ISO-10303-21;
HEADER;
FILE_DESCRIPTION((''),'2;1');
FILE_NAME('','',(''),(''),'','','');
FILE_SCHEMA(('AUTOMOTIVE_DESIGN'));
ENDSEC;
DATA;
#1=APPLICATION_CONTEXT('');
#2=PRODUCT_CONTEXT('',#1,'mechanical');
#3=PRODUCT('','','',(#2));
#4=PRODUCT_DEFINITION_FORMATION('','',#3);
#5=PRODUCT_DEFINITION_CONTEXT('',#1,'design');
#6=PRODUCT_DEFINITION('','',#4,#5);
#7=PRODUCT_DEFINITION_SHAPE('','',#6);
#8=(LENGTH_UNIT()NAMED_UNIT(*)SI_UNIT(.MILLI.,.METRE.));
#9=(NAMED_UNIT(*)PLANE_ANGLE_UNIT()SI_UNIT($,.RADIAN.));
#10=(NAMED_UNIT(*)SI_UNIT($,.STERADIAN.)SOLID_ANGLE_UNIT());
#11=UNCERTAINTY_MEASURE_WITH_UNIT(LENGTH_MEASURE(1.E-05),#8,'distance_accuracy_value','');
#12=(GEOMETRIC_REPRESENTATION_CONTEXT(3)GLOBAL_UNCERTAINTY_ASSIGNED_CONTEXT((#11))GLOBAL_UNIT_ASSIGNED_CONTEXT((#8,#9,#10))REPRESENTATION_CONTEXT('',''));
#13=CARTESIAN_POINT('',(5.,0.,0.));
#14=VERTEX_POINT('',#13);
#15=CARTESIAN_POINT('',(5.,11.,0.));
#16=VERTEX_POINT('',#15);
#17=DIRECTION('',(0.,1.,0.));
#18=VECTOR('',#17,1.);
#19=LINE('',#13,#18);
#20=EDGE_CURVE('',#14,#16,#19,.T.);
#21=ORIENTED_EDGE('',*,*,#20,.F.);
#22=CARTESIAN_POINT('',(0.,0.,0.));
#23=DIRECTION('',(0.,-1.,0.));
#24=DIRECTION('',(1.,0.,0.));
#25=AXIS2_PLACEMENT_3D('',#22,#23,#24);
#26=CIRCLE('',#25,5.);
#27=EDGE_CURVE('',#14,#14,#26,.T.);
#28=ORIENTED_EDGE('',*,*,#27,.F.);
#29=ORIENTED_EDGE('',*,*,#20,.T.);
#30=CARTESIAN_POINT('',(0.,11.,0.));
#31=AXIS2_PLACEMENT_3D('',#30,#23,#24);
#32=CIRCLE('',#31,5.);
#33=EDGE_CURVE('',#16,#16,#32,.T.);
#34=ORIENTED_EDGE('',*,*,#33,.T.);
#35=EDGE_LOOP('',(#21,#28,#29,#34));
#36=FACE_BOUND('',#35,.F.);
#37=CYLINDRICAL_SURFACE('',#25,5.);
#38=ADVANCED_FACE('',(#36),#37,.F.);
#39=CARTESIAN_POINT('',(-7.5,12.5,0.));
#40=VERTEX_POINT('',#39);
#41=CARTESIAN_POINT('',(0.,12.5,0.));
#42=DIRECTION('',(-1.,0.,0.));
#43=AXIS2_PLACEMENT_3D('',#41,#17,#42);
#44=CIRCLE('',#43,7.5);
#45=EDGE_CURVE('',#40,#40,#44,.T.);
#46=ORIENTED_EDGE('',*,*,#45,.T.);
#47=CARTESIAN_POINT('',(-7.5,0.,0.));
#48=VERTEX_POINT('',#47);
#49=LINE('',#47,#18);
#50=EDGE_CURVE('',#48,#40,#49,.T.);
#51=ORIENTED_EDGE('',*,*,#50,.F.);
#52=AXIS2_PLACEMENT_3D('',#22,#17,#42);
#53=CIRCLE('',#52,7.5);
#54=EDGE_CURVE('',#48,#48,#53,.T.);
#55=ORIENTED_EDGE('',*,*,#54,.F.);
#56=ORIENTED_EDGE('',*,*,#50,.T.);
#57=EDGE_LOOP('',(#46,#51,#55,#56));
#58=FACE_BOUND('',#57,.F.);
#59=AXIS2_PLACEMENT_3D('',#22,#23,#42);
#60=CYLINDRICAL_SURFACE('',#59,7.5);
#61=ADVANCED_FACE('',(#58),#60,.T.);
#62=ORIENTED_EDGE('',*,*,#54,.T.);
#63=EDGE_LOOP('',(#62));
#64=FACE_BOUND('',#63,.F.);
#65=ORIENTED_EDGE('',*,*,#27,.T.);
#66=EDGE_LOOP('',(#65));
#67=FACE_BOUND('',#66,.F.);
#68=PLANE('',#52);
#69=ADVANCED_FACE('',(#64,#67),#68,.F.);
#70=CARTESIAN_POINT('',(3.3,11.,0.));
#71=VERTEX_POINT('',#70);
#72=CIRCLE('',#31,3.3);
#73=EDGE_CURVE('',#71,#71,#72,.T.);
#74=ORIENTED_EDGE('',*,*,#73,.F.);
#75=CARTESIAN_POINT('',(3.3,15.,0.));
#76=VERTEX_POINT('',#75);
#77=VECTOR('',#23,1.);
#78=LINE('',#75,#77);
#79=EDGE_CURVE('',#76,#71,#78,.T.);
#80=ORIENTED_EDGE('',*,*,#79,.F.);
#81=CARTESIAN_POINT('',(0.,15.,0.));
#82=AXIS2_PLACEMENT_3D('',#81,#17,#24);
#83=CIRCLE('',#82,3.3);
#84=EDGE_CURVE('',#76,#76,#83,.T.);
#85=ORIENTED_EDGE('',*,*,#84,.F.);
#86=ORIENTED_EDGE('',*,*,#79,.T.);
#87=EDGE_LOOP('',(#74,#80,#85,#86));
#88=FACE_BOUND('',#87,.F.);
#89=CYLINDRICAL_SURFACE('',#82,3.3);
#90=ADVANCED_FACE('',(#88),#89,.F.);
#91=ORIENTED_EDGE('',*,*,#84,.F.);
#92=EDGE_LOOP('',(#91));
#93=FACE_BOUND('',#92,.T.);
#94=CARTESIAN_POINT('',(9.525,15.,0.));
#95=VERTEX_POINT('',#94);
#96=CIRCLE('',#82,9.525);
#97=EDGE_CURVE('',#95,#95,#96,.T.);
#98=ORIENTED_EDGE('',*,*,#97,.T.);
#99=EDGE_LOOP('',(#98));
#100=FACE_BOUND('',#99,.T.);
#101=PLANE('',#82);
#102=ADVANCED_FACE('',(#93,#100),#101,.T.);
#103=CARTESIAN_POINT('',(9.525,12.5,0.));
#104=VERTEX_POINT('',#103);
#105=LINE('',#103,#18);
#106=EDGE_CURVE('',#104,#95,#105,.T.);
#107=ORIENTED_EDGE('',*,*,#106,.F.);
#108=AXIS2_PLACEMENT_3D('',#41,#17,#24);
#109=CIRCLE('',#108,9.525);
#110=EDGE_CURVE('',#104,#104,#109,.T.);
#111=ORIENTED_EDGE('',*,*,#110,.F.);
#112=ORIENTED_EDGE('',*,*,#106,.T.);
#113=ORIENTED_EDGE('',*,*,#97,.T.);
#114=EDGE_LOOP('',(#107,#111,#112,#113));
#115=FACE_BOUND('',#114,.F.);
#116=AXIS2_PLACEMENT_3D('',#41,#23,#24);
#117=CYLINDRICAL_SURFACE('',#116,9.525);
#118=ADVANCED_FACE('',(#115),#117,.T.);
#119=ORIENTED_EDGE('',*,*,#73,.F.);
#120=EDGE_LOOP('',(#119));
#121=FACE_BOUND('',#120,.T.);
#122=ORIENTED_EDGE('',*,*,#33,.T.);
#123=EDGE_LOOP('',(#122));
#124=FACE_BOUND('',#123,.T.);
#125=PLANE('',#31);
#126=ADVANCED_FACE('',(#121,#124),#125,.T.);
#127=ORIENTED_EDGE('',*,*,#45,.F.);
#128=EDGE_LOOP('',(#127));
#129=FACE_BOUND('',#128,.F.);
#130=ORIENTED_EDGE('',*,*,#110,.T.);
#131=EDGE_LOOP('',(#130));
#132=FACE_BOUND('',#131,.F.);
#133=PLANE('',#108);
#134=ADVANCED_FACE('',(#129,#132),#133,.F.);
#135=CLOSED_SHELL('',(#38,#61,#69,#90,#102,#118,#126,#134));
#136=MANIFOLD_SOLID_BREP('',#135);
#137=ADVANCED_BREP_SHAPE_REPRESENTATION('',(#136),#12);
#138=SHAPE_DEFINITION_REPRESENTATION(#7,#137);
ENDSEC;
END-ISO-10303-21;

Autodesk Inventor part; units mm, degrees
ref_plane "YZ Plane" through (0, 0, 0) normal (1, 0, 0) x (0, 1, 0)
ref_plane "XZ Plane" through (0, 0, 0) normal (0, 1, 0) x (-1, 0, 0)
ref_plane "XY Plane" through (0, 0, 0) normal (0, 0, 1) x (1, 0, 0)
sketch "Sketch1" plane through (0, 0, 0) normal (0, 1, 0) x (-1, 0, 0)
  circle A0 centre (0, 0) radius 7.5
  dimension "d0" = 15
extrude "Extrusion1" add sketch "Sketch1" along normal blind 12.5
sketch "Sketch2" plane through (0, 12.5, 0) normal (0, 1, 0) x (1, 0, 0)
  circle A0 centre (0, 0) radius 7.5 projected
  circle A1 centre (0, 0) radius 9.525
  dimension "d3" = 19.05
extrude "Extrusion2" add sketch "Sketch2" along normal blind 2.5 contours A0 | A1
sketch "Sketch3" plane through (0, 15, 0) normal (0, 1, 0) x (1, 0, 0)
  circle A0 centre (0, 0) radius 9.525 projected
  circle A1 centre (0, 0) radius 3.3
  dimension "d6" = 6.6
extrude "Extrusion3" cut sketch "Sketch3" against normal blind 17.75 contours A1
sketch "Sketch4" plane through (0, 0, 0) normal (0, -1, 0) x (1, 0, 0)
  circle A0 centre (0, 0) radius 3.3 projected
  circle A1 centre (0, 0) radius 7.5 projected
  circle A2 centre (0, 0) radius 5
  dimension "d9" = 10
extrude "Extrusion4" cut sketch "Sketch4" against normal blind 11 contours A2
thread "Thread1" size "M10x1.5" class "6H" standard "ANSI Metric M Profile" full length
properties part number "Isolator"
